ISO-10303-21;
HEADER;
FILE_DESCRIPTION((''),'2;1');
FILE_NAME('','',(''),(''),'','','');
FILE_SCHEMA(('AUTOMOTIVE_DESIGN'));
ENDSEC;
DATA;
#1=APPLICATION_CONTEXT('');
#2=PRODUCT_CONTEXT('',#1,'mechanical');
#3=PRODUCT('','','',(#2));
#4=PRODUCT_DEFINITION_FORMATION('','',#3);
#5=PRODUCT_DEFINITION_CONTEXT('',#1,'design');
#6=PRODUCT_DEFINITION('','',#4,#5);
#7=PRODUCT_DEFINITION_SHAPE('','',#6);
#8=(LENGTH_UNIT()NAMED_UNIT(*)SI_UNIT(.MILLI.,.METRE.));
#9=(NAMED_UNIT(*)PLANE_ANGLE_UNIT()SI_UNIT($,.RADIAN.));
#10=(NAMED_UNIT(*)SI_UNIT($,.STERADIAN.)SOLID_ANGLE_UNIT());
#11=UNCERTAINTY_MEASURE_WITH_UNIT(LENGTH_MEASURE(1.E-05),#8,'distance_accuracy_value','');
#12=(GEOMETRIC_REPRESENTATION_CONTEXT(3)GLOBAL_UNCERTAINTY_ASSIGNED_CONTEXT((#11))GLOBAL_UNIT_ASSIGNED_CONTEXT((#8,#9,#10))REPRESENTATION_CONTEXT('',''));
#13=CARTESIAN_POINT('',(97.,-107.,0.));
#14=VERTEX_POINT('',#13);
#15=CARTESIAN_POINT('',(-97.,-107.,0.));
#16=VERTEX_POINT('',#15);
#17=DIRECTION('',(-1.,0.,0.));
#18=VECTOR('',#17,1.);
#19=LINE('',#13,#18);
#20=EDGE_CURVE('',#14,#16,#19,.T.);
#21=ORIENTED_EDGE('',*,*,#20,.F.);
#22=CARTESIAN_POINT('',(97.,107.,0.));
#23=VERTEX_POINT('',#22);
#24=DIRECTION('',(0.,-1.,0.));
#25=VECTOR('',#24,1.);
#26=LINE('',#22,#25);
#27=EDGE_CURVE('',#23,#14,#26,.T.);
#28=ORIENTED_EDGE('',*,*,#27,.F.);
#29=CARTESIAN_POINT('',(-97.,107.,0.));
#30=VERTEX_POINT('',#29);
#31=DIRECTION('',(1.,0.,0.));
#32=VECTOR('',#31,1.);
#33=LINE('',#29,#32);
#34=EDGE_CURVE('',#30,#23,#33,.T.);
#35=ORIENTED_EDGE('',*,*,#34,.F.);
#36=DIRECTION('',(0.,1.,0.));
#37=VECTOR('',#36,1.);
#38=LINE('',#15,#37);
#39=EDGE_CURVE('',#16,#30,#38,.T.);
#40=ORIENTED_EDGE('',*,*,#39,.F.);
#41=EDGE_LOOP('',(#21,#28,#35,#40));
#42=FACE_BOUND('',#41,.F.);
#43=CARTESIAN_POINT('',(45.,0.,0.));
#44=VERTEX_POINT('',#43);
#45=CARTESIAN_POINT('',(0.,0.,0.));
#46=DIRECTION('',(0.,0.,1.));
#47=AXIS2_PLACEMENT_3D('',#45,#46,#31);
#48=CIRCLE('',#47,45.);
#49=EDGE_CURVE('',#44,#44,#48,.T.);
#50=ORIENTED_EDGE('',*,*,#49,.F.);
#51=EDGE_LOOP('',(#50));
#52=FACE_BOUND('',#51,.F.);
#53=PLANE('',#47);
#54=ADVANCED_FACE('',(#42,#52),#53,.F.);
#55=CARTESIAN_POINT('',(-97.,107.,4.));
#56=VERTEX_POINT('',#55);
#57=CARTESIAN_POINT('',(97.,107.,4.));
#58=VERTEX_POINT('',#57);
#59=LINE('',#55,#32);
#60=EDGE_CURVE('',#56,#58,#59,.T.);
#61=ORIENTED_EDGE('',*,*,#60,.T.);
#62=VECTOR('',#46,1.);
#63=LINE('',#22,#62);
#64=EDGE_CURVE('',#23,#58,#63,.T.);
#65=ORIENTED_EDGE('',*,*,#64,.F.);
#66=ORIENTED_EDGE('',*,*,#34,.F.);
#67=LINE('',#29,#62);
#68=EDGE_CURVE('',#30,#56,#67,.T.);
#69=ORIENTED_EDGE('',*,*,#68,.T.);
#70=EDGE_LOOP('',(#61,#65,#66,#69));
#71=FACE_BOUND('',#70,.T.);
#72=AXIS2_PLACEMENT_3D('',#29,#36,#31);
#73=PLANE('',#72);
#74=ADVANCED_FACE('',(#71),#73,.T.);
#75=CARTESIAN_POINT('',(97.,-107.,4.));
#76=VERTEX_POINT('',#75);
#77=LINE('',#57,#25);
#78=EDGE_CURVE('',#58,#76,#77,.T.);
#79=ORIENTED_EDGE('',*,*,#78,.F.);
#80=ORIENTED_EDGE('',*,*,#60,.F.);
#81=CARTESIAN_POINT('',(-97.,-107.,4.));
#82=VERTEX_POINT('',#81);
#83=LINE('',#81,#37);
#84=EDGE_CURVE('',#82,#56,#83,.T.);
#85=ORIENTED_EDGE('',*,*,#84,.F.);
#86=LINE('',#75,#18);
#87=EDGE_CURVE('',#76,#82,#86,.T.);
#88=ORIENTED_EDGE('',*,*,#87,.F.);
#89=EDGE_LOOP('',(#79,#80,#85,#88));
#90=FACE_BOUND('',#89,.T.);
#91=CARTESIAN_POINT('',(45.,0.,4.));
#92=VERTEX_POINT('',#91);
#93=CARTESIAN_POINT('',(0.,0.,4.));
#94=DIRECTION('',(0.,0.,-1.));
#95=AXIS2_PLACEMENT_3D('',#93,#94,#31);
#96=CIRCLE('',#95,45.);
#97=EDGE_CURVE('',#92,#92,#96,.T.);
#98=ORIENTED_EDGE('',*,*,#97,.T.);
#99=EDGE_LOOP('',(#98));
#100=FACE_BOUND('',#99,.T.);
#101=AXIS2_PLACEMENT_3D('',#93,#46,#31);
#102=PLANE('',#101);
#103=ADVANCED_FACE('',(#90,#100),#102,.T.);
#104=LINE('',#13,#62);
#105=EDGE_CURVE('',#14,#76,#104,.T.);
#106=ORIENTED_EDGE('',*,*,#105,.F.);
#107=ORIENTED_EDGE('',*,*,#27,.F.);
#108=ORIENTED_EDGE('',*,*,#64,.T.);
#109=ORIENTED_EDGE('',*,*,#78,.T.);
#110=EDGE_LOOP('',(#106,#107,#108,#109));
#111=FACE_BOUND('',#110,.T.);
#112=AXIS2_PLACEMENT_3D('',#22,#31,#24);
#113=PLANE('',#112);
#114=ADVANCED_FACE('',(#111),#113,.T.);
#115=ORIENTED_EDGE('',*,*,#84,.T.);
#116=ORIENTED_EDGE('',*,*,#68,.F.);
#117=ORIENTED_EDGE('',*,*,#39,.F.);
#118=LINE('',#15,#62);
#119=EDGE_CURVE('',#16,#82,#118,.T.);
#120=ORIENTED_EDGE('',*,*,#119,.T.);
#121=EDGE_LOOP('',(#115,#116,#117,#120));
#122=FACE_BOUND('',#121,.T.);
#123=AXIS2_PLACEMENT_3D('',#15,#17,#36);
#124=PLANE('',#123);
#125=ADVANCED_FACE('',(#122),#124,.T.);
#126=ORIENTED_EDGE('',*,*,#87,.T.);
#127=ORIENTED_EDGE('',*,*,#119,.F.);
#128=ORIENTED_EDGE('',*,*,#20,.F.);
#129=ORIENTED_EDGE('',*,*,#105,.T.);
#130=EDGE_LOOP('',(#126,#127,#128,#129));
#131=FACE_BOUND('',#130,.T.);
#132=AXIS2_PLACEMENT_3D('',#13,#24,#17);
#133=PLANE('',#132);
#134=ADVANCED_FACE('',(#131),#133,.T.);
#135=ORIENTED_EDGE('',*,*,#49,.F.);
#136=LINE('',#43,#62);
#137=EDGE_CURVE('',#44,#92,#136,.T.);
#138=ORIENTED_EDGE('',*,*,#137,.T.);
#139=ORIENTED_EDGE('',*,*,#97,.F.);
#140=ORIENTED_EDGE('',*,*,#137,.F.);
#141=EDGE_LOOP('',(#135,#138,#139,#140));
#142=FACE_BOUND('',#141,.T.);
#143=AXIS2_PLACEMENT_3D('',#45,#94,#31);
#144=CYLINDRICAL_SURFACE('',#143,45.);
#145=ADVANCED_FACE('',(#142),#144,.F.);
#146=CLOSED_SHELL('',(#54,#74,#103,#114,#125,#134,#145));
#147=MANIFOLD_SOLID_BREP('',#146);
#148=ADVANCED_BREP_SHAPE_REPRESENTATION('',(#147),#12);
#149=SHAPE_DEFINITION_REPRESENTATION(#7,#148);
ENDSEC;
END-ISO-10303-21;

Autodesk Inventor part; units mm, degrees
ref_plane "YZ Plane" through (0, 0, 0) normal (1, 0, 0) x (0, 1, 0)
ref_plane "XZ Plane" through (0, 0, 0) normal (0, 1, 0) x (-1, 0, 0)
ref_plane "XY Plane" through (0, 0, 0) normal (0, 0, 1) x (1, 0, 0)
sketch "Sketch1" plane through (0, 0, 0) normal (0, 0, 1) x (1, 0, 0)
  line L0 (-97, 107) -> (97, 107)
  line L1 (97, 107) -> (97, -107)
  line L2 (97, -107) -> (-97, -107)
  line L3 (-97, -107) -> (-97, 107)
  line L4 (-97, 107) -> (97, -107) construction
  line L5 (97, 107) -> (-97, -107) construction
  point P0 (0, 0)
  dimension "d0" = 194
  dimension "d1" = 214
extrude "Plate1" add sketch "Sketch1" along normal blind 4
sketch "Sketch2" plane through (0, 0, 0) normal (0, 0, 1) x (1, 0, 0)
  circle A0 centre (0, 0) radius 45
  dimension "d3" = 90
extrude "Extrusion1" cut sketch "Sketch2" along normal blind 10
equation "\"d2\" = Thickness"
equation "\"BendRadius\" = Thickness"
equation "\"BendReliefWidth\" = Thickness"
equation "\"BendReliefDepth\" = 0.5 * Thickness"
equation "\"CornerReliefSize\" = 4 * Thickness"
equation "\"MinimumRemnant\" = 2 * Thickness"
equation "\"TransitionRadius\" = BendRadius"
equation "\"JacobiRadiusSize\" = BendRadius"
equation "\"GapSize\" = Thickness"
equation "\"Конус_Угол_продольный\" = 52.4deg"
equation "\"Конус_Угол_поперечный\" = 52deg"
equation "\"Thickness\" = 4"
properties part number "MSC 111 CONE IN BOTTOM" material "Stainless Steel"
